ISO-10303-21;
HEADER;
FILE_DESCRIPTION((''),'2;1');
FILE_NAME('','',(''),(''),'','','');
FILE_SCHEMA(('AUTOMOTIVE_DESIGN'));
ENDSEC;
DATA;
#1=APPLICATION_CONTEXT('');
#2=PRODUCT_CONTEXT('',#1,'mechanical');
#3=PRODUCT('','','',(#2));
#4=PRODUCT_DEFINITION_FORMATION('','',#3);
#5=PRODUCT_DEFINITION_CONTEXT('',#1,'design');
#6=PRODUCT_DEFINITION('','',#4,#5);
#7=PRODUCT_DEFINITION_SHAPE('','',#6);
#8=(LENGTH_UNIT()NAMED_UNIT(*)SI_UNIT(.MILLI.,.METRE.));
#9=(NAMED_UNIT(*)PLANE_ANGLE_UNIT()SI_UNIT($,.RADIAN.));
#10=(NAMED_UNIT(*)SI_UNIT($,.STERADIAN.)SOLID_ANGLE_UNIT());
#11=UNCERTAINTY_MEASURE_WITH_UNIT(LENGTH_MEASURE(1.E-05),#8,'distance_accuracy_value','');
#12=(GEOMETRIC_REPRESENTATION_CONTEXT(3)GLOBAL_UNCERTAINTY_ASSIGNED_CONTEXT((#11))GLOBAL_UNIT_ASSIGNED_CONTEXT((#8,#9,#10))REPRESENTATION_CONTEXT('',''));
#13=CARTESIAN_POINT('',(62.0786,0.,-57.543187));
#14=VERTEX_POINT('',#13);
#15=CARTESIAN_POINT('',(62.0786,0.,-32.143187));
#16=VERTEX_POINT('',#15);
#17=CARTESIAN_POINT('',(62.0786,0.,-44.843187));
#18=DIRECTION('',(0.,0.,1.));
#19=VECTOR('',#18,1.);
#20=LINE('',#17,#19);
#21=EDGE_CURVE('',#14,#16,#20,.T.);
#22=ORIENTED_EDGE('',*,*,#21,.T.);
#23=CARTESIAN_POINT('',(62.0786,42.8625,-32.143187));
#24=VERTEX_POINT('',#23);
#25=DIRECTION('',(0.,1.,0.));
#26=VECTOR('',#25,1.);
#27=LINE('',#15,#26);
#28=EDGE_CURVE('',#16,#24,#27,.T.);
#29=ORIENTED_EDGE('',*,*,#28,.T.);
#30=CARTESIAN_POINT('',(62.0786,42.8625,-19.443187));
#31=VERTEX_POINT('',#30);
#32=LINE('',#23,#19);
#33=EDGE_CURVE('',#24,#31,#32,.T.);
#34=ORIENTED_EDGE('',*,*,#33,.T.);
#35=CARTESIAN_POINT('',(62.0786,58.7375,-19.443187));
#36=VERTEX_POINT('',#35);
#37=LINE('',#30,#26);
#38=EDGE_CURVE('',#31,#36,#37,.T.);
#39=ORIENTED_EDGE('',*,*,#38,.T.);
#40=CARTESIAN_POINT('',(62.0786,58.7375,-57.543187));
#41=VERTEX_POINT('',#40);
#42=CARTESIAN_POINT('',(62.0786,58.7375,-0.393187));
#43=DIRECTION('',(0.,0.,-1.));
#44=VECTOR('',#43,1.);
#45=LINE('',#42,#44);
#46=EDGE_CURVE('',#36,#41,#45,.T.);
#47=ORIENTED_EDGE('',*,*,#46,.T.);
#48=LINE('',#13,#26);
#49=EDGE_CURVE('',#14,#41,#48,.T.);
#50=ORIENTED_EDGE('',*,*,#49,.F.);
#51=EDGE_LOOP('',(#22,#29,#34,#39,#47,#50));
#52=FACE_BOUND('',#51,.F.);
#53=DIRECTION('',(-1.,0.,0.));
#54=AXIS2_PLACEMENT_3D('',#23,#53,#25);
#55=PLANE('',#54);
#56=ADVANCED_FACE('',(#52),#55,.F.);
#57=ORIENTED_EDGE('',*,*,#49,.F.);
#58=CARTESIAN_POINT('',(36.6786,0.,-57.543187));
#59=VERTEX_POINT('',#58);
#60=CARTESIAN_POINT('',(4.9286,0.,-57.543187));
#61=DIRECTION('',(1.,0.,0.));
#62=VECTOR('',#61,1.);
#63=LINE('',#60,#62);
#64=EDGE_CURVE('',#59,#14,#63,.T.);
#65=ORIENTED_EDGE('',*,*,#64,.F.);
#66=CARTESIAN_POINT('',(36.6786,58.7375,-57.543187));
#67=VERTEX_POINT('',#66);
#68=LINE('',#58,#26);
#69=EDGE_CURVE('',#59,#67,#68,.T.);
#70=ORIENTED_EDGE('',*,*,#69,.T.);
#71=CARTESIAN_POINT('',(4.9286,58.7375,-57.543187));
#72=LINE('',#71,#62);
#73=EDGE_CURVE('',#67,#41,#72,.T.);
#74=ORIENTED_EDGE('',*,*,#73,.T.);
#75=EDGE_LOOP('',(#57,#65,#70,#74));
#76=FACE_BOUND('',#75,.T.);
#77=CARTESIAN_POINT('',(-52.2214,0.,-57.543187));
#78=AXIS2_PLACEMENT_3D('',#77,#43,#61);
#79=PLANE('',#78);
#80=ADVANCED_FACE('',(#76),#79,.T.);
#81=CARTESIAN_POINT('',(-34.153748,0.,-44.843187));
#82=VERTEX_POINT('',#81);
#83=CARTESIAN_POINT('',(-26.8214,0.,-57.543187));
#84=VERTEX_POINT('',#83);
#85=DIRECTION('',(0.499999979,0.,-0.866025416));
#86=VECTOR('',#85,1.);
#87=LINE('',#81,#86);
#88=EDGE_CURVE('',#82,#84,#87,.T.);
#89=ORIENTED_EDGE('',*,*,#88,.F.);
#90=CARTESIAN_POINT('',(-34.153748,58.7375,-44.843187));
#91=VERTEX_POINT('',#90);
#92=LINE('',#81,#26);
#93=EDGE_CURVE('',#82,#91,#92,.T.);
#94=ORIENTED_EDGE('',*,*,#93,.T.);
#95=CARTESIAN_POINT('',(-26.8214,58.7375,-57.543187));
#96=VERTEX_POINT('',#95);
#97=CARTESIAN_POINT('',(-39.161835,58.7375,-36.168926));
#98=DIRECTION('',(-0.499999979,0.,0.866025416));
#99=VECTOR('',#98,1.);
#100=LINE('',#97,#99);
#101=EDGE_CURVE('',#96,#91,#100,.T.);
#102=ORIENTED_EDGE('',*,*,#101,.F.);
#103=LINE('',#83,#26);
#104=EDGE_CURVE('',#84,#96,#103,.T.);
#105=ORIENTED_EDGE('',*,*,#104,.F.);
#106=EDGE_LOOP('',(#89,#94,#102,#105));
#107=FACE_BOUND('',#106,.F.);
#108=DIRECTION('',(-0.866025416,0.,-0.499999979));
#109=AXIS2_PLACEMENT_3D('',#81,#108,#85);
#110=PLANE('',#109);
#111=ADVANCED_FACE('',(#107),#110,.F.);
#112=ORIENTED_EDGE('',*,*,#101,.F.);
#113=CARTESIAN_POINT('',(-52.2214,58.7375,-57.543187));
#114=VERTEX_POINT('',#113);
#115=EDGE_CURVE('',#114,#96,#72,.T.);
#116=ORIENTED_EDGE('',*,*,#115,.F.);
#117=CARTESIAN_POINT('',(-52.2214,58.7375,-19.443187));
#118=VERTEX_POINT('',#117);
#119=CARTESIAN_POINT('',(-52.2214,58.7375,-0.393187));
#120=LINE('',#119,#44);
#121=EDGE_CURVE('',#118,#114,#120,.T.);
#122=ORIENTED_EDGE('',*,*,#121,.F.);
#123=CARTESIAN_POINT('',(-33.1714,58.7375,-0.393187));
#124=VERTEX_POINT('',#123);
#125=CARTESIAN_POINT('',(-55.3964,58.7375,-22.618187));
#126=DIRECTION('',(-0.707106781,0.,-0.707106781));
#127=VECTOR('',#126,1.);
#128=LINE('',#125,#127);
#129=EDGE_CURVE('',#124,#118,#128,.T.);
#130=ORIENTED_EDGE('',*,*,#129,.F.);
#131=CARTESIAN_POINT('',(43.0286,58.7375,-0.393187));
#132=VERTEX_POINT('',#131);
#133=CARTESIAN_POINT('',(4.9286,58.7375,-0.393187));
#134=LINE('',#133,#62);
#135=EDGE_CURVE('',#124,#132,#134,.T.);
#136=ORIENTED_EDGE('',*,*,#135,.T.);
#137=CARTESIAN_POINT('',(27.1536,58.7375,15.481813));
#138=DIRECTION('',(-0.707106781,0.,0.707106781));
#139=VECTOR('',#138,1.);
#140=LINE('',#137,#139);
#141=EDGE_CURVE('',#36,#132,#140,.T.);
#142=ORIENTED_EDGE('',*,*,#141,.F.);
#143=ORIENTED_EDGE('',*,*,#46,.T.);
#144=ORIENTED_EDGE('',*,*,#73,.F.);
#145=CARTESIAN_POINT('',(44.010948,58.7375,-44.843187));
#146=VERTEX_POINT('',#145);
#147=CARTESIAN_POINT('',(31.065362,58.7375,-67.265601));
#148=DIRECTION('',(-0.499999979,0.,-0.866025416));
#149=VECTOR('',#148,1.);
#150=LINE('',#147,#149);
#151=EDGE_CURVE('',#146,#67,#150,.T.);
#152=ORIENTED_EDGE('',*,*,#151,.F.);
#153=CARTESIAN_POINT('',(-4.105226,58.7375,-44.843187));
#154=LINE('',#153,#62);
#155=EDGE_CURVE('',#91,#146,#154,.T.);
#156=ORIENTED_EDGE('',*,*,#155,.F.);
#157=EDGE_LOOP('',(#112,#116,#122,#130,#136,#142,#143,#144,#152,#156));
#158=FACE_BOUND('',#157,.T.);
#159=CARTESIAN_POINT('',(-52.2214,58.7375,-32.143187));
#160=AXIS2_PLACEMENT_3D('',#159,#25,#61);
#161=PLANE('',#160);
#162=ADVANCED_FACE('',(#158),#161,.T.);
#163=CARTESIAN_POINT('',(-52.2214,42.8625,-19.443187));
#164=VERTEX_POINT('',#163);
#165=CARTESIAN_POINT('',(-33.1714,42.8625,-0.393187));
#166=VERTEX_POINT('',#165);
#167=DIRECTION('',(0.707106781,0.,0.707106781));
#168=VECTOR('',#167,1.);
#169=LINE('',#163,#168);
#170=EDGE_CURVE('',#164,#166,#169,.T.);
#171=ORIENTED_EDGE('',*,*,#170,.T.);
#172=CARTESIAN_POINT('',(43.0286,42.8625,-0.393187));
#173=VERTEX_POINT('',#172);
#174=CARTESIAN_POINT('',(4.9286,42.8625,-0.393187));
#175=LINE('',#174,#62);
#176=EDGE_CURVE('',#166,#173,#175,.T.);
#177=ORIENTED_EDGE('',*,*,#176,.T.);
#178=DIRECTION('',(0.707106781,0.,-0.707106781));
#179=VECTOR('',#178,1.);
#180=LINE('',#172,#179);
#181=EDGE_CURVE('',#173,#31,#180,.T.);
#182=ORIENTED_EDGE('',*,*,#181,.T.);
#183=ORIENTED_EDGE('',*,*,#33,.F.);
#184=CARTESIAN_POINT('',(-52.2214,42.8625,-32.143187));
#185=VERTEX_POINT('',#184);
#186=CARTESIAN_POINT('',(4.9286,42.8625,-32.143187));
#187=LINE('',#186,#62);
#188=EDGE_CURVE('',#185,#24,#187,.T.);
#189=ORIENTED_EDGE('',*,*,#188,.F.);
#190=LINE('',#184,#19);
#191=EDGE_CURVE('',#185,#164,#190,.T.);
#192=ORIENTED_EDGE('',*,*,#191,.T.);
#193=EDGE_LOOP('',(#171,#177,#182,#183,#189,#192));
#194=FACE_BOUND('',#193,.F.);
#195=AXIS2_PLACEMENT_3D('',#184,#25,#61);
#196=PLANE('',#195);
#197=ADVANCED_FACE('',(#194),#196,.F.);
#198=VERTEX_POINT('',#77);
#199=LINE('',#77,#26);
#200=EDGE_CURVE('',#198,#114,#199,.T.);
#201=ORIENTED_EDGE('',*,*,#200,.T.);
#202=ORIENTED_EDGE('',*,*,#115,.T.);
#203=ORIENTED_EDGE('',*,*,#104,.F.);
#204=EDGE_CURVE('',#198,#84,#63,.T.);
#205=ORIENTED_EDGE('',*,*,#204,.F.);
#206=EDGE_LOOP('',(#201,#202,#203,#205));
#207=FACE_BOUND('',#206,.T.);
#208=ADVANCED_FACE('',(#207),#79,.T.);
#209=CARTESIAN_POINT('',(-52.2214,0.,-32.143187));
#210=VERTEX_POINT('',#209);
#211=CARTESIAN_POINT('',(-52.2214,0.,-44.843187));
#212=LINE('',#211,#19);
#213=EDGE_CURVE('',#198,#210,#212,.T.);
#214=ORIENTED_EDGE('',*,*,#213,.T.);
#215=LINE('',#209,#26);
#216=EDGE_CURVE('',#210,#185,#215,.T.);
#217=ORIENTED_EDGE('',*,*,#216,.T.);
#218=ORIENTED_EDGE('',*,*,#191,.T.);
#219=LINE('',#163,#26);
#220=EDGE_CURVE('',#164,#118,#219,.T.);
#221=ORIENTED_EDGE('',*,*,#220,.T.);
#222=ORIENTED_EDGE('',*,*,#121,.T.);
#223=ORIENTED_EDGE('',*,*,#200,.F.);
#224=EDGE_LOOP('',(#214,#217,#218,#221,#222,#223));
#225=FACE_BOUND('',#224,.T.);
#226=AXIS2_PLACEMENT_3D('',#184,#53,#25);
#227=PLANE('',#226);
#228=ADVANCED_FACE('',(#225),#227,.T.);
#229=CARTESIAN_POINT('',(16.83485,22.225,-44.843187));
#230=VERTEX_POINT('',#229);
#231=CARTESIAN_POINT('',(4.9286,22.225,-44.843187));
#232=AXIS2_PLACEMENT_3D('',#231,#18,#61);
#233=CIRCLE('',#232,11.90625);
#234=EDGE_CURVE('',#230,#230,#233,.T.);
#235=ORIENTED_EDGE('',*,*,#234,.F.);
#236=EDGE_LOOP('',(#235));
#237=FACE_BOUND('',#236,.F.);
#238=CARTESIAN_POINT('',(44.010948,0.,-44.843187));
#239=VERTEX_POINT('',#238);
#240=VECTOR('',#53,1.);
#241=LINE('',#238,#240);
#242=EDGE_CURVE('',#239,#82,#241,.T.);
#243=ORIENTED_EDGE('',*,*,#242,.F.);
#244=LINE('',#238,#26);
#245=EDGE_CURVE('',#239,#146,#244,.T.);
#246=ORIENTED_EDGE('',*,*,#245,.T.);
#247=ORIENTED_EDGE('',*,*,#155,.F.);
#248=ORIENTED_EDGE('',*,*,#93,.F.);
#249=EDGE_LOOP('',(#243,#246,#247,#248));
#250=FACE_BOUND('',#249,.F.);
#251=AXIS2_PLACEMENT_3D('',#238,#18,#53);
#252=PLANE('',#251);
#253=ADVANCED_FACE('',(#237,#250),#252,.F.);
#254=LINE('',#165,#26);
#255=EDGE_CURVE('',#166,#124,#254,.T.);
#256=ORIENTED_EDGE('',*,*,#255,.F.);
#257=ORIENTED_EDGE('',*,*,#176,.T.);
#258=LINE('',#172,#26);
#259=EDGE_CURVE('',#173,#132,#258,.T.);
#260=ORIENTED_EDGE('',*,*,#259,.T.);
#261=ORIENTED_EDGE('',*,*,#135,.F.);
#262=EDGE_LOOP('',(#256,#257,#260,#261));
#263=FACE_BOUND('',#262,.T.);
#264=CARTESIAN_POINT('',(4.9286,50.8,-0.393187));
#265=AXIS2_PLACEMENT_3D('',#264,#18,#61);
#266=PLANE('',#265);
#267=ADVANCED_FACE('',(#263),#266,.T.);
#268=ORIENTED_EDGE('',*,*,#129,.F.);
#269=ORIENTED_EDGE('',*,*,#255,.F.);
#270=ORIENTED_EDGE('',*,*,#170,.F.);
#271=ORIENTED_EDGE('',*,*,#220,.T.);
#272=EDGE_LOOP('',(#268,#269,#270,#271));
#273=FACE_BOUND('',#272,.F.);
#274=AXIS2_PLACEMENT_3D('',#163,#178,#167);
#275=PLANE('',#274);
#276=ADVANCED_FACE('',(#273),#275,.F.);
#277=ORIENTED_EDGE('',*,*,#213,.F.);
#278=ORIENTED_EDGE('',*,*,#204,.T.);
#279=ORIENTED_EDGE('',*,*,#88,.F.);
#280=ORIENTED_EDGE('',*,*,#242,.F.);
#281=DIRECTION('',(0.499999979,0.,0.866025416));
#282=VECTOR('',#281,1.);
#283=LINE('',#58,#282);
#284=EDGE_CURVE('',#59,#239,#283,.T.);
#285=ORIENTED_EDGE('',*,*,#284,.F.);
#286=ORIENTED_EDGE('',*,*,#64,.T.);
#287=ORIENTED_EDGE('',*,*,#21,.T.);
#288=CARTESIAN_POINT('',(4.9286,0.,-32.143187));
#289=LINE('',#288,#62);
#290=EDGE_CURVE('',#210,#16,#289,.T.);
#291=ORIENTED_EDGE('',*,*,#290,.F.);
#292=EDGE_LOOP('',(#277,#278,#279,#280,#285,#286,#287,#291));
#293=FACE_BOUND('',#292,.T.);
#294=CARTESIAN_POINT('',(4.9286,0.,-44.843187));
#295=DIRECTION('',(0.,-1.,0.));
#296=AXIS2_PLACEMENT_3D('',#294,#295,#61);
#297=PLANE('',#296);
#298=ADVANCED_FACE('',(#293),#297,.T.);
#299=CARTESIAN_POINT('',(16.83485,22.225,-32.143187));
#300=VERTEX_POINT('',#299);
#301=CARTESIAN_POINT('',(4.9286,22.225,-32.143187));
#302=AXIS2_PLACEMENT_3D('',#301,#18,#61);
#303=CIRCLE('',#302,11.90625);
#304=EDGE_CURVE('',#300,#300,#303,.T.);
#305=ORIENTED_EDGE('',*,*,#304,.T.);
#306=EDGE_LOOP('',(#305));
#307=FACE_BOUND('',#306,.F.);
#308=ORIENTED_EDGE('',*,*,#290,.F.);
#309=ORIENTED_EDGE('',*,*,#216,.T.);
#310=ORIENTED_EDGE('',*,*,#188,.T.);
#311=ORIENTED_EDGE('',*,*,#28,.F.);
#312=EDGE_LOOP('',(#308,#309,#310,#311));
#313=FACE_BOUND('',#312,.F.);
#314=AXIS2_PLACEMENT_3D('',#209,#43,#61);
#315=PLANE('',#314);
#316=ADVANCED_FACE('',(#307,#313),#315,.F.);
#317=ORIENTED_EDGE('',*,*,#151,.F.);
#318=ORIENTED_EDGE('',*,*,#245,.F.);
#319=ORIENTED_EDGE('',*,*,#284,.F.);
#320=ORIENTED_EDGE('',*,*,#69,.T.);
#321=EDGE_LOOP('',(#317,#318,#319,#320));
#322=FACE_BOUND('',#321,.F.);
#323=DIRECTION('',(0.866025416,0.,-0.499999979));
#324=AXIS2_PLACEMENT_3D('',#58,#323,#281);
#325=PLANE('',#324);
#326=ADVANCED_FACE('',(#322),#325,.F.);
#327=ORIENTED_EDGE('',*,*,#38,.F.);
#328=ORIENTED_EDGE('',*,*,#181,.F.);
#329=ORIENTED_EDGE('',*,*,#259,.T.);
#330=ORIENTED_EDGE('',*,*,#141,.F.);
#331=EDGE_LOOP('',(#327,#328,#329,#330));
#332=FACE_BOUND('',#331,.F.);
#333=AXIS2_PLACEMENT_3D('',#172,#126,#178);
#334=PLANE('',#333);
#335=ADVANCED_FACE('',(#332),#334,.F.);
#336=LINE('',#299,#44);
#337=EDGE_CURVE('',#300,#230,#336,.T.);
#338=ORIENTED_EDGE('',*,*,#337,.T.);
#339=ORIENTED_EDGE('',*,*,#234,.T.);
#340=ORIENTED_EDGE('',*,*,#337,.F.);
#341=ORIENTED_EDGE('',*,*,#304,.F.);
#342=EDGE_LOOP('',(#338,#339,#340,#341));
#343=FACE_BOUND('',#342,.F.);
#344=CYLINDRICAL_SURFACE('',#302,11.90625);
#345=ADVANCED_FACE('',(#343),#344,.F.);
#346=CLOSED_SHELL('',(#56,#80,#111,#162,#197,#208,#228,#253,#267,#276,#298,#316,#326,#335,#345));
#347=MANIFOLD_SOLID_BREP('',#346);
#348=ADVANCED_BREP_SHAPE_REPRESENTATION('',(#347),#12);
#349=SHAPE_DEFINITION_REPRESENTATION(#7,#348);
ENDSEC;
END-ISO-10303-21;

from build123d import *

# Parameters (mm, degrees)
F0_W     = 114.3
F0_H     = 25.4
F1_DEPTH = 58.7375
F2_W     = 114.3
F2_H     = 15.875
F3_DEPTH = 31.75
F5_DEPTH = 15.876
F6_R     = 11.90625
F7_DEPTH = 25.401
F9_DEPTH = 58.7385


with BuildPart() as f1:
    # F0 (on Front) → F1 (new body)
    with BuildSketch(Plane.XZ):
        with Locations((4.9286, -44.843187)):
            Rectangle(F0_W, F0_H)
    extrude(amount=-F1_DEPTH)

    # F2 (on face) → F3 (join)
    with BuildSketch(Plane.XY.offset(-32.143187)):
        with Locations((4.9286, 50.8)):
            Rectangle(F2_W, F2_H)
    extrude(amount=F3_DEPTH)

    # F4 (on face) → F5 (cut, through all)
    with BuildSketch(Plane.XZ.offset(-42.8625)):
        Polygon((-52.2214, -0.393187), (-52.2214, -19.443187), (-33.1714, -0.393187), align=None)
        Polygon((62.0786, -0.393187), (43.0286, -0.393187), (62.0786, -19.443187), align=None)
    extrude(amount=-F5_DEPTH, mode=Mode.SUBTRACT)

    # F6 (on face) → F7 (cut, through all)
    with BuildSketch(Plane.XY.offset(-32.143187)):
        with Locations((4.9286, 22.225)):
            Circle(F6_R)
    extrude(amount=-F7_DEPTH, mode=Mode.SUBTRACT)

    # F8 (on face) → F9 (cut, through all)
    with BuildSketch(Plane.XZ):
        Polygon((44.010948, -44.843187), (-34.153748, -44.843187), (-26.8214, -57.543187), (36.6786, -57.543187), align=None)
    extrude(amount=-F9_DEPTH, mode=Mode.SUBTRACT)


solid = f1.part
